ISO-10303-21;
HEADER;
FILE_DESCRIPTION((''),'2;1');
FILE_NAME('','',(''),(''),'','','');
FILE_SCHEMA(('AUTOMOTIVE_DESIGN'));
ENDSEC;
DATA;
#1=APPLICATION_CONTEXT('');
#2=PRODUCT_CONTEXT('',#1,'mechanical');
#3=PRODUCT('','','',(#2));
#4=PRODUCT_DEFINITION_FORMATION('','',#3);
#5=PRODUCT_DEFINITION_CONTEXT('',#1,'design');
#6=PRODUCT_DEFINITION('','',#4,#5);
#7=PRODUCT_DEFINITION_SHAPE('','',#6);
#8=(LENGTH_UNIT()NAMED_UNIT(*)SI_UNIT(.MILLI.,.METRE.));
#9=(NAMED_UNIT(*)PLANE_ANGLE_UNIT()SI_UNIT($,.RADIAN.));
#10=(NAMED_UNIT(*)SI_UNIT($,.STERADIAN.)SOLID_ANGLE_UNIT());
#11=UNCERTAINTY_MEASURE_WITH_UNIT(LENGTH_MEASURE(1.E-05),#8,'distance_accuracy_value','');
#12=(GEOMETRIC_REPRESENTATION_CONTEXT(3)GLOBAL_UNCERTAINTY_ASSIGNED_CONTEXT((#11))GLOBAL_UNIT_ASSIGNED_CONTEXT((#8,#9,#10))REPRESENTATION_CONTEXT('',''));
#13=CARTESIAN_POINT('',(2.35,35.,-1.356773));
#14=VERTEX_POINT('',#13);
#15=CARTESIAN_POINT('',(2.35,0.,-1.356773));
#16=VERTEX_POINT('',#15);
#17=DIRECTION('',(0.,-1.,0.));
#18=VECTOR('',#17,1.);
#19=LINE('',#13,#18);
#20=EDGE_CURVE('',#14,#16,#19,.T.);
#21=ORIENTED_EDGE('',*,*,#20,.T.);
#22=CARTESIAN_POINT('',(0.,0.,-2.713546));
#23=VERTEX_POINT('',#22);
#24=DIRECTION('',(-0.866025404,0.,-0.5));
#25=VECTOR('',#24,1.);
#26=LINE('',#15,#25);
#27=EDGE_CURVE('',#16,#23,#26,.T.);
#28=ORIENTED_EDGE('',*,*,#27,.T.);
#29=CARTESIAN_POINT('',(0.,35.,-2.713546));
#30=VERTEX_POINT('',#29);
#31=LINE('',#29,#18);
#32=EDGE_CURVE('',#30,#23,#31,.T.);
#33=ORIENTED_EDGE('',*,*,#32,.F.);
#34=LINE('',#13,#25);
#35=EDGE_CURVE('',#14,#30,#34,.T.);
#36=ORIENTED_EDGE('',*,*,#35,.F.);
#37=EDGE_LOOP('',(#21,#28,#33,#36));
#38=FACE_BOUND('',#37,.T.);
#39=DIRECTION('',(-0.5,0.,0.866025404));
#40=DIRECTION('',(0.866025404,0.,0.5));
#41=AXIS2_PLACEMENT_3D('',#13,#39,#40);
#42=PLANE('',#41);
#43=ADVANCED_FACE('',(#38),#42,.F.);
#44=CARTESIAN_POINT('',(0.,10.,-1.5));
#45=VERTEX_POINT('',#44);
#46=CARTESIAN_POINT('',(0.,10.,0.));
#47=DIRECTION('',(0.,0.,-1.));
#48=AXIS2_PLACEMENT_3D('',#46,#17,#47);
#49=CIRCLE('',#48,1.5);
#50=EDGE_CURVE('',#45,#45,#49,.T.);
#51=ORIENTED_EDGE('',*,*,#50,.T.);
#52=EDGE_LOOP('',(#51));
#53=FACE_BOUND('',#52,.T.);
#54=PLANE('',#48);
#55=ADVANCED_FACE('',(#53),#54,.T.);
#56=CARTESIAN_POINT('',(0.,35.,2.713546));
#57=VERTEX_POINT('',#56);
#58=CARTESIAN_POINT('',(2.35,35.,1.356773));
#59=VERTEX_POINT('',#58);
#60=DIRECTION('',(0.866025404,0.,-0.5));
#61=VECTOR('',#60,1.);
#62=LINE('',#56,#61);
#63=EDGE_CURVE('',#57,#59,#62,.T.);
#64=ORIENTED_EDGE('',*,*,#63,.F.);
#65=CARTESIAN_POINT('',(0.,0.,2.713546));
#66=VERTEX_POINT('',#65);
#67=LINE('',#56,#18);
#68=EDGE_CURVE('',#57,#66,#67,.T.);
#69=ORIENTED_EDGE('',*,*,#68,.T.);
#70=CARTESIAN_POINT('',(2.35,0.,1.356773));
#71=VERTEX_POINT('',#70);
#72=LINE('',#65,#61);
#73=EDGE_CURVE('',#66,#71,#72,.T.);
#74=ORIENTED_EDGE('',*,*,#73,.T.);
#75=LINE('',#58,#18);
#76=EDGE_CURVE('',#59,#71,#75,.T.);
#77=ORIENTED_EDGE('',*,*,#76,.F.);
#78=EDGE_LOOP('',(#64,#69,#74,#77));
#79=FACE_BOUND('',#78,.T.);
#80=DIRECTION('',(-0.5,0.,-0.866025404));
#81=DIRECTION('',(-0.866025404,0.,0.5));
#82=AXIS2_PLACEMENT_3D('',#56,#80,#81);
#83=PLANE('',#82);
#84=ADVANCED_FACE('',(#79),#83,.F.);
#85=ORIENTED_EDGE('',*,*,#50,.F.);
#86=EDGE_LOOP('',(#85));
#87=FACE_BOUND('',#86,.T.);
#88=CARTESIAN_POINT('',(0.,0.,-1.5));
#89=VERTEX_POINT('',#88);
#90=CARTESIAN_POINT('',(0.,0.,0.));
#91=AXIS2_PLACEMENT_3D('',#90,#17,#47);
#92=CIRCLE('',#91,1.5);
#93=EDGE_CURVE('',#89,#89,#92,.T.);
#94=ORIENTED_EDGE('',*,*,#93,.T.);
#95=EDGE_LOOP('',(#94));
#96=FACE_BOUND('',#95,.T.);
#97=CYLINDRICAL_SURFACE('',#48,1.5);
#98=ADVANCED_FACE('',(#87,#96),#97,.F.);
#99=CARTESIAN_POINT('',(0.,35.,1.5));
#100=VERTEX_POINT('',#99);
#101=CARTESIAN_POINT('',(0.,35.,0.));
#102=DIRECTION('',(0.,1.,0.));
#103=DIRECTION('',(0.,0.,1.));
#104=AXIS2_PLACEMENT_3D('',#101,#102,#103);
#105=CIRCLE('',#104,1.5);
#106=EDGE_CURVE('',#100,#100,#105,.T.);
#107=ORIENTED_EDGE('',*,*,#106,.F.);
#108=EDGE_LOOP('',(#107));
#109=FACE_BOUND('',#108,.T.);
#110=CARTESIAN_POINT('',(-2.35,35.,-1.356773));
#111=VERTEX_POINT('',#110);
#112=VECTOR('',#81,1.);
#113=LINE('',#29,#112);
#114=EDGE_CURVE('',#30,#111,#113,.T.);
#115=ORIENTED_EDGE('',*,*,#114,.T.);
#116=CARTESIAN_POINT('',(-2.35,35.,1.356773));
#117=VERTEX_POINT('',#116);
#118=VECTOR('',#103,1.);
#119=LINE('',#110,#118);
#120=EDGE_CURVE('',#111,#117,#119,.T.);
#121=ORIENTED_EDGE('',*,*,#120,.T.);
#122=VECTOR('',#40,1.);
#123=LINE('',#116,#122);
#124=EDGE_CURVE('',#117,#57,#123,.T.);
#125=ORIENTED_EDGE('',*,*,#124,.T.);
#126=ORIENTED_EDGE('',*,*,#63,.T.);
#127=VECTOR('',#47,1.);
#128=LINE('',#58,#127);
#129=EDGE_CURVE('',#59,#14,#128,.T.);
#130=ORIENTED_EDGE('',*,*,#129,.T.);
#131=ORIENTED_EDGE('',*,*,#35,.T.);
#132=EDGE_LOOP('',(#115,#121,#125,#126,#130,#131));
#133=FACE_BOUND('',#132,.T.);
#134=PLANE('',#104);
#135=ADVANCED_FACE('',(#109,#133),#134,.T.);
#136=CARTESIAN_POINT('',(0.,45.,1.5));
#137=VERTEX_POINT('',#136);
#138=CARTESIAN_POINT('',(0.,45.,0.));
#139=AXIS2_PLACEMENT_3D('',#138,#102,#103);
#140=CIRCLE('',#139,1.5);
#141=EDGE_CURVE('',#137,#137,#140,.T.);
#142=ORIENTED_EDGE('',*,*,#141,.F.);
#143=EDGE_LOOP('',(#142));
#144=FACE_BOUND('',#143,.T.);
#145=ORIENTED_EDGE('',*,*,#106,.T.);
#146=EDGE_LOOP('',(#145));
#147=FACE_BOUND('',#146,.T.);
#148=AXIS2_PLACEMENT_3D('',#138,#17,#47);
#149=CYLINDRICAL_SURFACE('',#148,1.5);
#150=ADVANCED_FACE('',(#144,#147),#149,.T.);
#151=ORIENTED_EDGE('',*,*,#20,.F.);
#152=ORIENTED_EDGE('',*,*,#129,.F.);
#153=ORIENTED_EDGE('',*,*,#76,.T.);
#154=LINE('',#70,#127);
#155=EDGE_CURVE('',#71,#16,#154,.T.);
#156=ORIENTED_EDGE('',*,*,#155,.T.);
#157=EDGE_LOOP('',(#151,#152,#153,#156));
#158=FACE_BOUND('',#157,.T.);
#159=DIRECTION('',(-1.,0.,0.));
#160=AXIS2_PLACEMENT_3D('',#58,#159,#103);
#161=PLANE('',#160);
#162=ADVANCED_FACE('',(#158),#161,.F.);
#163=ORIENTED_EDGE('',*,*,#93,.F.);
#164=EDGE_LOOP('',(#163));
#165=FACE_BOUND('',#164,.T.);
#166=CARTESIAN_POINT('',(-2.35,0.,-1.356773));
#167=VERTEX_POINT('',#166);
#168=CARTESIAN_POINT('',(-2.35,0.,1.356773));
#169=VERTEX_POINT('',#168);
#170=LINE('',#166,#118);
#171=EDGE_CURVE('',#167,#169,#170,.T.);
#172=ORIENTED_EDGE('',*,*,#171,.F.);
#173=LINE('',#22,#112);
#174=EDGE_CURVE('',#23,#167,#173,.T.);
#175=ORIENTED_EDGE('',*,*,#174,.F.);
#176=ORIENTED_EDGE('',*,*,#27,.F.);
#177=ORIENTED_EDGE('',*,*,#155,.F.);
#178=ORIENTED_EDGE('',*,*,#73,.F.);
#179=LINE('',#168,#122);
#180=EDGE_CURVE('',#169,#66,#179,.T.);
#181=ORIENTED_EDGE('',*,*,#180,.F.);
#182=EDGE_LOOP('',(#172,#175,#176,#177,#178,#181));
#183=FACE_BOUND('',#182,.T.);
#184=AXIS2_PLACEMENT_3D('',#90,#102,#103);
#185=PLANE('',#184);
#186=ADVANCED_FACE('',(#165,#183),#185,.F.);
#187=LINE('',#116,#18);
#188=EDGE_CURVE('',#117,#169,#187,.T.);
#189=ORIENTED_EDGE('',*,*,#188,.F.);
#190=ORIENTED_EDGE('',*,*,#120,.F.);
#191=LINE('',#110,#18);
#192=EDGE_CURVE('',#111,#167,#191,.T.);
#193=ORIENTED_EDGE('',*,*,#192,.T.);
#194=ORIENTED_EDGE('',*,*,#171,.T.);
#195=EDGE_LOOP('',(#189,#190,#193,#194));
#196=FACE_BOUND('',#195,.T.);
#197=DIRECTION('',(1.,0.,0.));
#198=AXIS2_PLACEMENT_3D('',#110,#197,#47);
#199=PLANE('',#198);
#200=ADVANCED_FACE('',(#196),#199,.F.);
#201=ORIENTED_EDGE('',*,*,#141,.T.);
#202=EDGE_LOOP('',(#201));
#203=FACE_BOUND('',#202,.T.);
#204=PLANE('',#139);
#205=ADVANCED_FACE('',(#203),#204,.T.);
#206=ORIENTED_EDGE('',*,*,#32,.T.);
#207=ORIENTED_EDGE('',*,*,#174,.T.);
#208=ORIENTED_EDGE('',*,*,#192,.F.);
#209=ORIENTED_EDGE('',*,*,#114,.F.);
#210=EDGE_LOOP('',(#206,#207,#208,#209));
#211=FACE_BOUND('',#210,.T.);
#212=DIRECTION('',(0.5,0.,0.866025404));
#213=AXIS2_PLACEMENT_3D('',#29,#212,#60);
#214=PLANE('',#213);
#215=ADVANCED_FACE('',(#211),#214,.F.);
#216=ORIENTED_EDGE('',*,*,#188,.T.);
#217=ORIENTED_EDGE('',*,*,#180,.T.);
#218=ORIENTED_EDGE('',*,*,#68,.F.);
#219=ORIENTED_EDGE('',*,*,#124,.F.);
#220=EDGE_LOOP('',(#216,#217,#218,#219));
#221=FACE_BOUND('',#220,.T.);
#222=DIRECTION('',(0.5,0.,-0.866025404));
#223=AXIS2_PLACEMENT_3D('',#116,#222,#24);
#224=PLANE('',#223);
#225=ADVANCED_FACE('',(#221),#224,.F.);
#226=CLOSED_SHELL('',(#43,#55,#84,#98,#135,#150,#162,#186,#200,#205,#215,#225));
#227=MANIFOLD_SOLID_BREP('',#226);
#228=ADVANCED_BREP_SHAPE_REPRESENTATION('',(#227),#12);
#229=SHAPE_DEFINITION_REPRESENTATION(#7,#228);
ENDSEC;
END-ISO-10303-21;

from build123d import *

# Parameters (mm, degrees)
BOSS_EXTRUDE1_DEPTH = 35
SKETCH2_R           = 1.5
BOSS_EXTRUDE2_DEPTH = 10
SKETCH5_R           = 1.5
CUT_EXTRUDE1_DEPTH  = 10


with BuildPart() as part:
    # Sketch1 → Boss-Extrude1 (new body)
    with BuildSketch(Plane(origin=(0, 0, 0), x_dir=(1, 0, 0), z_dir=(0, 1, 0))):
        Polygon((0, 2.713546265), (-2.35, 1.356773133), (-2.35, -1.356773133), (0, -2.713546265), (2.35, -1.356773133), (2.35, 1.356773133), align=None)
    extrude(amount=BOSS_EXTRUDE1_DEPTH)

    # Sketch2 → Boss-Extrude2 (add)
    with BuildSketch(Plane(origin=(0, 35, 0), x_dir=(1, 0, 0), z_dir=(0, 1, 0))):
        with Locations(Location((0, 0, 0), (0, 0, 270))):
            Circle(SKETCH2_R)
    extrude(amount=BOSS_EXTRUDE2_DEPTH)

    # Sketch5 → Cut-Extrude1 (cut)
    with BuildSketch(Plane.XZ):
        with Locations(Location((0, 0, 0), (0, 0, 90))):
            Circle(SKETCH5_R)
    extrude(amount=-CUT_EXTRUDE1_DEPTH, mode=Mode.SUBTRACT)


solid = part.part
